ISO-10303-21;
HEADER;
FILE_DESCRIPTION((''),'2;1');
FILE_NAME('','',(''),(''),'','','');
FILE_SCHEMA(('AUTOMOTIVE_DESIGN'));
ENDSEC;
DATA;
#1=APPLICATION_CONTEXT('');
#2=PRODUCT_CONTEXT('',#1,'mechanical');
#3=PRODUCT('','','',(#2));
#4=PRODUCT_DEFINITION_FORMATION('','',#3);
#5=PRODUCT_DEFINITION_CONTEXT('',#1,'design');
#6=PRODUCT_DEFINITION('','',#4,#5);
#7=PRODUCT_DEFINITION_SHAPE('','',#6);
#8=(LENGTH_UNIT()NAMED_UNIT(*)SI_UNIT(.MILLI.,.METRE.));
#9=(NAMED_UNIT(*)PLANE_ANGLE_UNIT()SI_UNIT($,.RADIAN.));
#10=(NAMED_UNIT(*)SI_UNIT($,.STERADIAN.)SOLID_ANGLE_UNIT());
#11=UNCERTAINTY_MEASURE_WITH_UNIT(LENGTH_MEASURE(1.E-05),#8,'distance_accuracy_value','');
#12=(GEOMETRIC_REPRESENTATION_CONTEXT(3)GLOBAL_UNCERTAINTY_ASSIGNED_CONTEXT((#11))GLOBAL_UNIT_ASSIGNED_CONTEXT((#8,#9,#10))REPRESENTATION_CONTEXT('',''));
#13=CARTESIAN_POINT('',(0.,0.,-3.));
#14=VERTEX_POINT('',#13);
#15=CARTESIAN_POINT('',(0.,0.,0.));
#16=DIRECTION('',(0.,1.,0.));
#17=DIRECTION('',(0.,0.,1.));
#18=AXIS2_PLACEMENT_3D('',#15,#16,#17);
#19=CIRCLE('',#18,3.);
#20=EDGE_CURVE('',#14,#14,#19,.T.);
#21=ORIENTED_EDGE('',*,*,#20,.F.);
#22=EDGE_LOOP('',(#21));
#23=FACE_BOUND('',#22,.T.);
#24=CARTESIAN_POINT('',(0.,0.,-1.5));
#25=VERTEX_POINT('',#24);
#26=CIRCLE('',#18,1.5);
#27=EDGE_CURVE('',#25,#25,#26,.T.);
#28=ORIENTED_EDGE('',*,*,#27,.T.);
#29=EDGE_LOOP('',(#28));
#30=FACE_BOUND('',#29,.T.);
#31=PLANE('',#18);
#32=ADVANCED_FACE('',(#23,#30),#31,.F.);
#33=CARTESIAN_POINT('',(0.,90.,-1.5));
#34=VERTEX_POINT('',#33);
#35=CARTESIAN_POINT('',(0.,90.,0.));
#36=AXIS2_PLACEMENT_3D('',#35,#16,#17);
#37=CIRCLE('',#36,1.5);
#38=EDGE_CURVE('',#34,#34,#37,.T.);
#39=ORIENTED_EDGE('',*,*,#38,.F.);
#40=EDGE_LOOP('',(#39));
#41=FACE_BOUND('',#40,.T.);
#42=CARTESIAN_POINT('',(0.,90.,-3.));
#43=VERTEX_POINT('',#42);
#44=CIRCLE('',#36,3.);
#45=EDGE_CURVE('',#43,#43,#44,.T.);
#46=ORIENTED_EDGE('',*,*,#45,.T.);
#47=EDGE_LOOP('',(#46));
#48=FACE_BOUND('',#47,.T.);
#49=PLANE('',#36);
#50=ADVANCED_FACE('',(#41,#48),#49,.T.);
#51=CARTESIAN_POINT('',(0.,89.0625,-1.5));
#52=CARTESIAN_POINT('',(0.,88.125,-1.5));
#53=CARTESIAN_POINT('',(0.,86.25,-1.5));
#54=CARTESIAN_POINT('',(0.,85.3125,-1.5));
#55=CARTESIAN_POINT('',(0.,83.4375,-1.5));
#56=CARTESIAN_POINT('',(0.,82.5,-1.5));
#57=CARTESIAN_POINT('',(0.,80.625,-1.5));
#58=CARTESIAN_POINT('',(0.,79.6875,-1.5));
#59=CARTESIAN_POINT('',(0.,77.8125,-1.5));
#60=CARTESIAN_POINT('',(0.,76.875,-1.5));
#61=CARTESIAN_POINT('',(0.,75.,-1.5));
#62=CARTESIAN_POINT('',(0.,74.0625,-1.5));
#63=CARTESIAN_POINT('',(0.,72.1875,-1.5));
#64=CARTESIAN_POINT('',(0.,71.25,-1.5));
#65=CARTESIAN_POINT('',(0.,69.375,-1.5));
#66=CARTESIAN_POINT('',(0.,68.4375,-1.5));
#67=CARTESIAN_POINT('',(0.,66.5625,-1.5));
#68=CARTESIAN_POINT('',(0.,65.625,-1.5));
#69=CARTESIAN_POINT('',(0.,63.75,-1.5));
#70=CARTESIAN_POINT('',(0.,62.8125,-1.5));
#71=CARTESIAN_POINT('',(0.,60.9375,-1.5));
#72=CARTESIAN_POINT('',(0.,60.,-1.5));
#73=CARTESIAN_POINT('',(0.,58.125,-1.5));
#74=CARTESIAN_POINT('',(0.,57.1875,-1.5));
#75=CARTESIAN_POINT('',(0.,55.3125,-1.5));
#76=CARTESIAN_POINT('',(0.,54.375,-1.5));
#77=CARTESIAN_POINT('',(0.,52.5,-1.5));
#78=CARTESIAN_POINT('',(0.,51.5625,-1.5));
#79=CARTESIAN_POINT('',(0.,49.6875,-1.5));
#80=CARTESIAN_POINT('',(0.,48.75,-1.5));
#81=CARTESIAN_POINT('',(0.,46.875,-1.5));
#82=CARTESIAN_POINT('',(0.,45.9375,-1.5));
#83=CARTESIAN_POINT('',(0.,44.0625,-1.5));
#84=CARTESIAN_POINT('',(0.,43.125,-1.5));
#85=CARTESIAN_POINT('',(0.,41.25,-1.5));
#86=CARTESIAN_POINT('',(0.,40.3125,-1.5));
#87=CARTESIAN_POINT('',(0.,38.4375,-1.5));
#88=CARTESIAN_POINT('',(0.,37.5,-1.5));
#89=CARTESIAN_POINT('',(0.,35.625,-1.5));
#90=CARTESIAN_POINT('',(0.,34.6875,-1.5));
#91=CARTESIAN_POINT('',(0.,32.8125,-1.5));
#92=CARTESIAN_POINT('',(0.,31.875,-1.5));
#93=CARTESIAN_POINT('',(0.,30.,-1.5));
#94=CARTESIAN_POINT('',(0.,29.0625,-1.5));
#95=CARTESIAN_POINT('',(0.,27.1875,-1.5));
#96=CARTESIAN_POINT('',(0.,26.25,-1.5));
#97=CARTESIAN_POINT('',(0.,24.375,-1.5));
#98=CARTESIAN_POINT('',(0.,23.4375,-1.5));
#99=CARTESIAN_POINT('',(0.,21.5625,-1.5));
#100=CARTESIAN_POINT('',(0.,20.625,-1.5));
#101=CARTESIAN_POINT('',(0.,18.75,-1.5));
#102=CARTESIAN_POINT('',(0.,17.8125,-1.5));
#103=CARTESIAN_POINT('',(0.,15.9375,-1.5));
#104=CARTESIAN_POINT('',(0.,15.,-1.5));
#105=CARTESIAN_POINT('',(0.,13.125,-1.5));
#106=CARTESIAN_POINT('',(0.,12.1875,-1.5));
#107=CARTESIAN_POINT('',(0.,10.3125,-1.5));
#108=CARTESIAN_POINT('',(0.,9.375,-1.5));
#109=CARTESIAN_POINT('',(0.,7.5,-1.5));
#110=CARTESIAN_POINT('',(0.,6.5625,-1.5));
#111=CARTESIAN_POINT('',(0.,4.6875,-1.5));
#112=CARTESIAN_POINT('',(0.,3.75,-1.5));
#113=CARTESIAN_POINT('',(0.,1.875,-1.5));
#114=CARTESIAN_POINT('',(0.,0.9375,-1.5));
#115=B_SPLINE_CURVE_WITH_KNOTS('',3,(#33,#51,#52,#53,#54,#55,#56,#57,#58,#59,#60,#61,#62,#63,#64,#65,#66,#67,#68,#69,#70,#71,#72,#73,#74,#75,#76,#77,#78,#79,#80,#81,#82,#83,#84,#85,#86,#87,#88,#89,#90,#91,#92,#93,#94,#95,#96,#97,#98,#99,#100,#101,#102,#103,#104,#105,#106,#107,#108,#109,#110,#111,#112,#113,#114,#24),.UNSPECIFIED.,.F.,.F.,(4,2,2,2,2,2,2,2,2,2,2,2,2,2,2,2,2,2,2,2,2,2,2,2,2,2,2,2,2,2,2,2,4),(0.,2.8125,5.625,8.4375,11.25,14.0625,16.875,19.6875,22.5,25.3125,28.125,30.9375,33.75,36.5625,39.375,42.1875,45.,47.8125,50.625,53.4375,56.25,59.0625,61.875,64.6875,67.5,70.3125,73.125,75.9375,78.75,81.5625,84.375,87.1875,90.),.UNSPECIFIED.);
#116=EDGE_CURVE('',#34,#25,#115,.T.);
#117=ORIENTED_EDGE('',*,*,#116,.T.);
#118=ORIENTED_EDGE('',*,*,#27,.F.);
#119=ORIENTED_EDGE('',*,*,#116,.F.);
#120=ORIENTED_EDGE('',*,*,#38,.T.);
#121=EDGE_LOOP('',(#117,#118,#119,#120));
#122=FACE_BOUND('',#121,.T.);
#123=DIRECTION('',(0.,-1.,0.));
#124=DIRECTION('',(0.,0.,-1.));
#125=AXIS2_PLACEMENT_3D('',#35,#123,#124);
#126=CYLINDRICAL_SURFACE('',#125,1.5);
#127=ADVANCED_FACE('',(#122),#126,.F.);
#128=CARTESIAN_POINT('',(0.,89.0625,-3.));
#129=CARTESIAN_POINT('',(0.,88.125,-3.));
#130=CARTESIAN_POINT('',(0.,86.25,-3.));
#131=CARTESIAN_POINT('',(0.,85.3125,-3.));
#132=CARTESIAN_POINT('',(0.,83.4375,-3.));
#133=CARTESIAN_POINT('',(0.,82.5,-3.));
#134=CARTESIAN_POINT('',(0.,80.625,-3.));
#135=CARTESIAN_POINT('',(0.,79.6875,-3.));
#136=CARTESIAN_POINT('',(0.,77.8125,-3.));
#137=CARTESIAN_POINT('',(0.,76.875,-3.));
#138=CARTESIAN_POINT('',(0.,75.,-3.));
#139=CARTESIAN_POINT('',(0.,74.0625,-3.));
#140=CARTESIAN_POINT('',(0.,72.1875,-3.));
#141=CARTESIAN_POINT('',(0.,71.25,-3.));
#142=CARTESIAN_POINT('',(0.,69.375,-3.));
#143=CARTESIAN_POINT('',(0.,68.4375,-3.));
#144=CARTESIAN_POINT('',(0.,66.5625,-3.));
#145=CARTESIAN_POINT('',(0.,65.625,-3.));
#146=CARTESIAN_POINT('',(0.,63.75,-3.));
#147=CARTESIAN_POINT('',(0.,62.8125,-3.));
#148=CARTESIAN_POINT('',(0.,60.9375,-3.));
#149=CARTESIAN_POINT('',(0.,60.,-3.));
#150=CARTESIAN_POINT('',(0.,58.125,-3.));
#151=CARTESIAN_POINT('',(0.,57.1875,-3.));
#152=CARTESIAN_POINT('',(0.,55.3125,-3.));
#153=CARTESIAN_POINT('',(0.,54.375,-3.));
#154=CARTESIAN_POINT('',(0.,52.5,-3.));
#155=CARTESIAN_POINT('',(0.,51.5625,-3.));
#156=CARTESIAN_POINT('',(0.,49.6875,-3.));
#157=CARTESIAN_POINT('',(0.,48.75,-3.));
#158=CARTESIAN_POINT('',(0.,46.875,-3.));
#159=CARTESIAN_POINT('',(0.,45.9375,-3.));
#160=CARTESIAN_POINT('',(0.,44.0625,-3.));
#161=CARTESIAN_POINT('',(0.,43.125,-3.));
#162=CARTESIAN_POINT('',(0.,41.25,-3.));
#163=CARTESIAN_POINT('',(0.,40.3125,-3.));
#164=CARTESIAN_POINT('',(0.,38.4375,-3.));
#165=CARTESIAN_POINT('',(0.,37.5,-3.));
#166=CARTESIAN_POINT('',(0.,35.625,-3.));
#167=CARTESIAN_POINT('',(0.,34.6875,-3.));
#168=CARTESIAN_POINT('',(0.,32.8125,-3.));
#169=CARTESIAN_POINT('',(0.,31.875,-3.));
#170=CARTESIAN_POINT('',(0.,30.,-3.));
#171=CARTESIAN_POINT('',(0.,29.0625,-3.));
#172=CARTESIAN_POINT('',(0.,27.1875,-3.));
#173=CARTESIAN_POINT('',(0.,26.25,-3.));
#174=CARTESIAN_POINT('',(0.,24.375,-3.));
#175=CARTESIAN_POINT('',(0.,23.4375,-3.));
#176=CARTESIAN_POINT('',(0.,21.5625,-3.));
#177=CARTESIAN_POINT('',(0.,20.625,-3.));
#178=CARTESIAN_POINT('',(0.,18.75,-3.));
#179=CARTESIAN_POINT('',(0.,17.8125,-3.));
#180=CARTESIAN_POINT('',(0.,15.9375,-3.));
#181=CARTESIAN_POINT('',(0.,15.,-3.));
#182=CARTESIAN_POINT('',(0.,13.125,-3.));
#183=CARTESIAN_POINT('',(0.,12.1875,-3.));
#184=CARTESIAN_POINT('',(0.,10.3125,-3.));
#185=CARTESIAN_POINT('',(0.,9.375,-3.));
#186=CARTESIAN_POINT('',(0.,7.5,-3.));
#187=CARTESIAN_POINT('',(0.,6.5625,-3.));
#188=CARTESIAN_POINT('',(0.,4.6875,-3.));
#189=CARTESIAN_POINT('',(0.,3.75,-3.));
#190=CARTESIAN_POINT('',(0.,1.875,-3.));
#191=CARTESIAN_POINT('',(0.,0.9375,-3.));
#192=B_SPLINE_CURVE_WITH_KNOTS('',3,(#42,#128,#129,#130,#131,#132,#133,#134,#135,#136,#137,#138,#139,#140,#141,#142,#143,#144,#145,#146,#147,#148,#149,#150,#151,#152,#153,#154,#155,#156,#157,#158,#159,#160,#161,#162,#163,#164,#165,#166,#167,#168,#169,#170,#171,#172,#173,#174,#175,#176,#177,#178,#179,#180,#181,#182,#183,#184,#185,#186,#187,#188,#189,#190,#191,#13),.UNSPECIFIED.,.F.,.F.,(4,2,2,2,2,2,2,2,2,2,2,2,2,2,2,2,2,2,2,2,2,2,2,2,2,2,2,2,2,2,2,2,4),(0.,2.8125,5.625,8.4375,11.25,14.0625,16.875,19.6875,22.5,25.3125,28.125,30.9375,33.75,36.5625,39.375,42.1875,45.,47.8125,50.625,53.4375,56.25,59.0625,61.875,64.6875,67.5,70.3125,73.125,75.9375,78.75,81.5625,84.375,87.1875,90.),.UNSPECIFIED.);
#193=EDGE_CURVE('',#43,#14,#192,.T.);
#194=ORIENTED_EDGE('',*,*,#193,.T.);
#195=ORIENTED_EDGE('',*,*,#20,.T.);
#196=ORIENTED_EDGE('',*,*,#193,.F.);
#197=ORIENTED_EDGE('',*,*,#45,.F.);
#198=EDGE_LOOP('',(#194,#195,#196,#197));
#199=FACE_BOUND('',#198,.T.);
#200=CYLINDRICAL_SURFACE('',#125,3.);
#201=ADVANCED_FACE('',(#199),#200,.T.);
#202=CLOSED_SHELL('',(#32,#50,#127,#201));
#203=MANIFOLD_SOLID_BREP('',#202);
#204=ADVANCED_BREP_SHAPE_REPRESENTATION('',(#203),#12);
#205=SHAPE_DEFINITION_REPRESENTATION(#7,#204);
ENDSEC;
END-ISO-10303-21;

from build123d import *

# Parameters (mm, degrees)
SKETCH_1_R      = 3
SKETCH_1_R_2    = 1.5
EXTRUDE_1_DEPTH = 90


with BuildPart() as part:
    # 草图1 → 凸台-拉伸1 (new body)
    with BuildSketch(Plane(origin=(0, 0, 0), x_dir=(1, 0, 0), z_dir=(0, 1, 0))):
        with Locations(Location((0, 0, 0), (0, 0, 90))):
            Circle(SKETCH_1_R)
        with Locations(Location((0, 0, 0), (0, 0, 90))):
            Circle(SKETCH_1_R_2, mode=Mode.SUBTRACT)
    extrude(amount=EXTRUDE_1_DEPTH)


solid = part.part
